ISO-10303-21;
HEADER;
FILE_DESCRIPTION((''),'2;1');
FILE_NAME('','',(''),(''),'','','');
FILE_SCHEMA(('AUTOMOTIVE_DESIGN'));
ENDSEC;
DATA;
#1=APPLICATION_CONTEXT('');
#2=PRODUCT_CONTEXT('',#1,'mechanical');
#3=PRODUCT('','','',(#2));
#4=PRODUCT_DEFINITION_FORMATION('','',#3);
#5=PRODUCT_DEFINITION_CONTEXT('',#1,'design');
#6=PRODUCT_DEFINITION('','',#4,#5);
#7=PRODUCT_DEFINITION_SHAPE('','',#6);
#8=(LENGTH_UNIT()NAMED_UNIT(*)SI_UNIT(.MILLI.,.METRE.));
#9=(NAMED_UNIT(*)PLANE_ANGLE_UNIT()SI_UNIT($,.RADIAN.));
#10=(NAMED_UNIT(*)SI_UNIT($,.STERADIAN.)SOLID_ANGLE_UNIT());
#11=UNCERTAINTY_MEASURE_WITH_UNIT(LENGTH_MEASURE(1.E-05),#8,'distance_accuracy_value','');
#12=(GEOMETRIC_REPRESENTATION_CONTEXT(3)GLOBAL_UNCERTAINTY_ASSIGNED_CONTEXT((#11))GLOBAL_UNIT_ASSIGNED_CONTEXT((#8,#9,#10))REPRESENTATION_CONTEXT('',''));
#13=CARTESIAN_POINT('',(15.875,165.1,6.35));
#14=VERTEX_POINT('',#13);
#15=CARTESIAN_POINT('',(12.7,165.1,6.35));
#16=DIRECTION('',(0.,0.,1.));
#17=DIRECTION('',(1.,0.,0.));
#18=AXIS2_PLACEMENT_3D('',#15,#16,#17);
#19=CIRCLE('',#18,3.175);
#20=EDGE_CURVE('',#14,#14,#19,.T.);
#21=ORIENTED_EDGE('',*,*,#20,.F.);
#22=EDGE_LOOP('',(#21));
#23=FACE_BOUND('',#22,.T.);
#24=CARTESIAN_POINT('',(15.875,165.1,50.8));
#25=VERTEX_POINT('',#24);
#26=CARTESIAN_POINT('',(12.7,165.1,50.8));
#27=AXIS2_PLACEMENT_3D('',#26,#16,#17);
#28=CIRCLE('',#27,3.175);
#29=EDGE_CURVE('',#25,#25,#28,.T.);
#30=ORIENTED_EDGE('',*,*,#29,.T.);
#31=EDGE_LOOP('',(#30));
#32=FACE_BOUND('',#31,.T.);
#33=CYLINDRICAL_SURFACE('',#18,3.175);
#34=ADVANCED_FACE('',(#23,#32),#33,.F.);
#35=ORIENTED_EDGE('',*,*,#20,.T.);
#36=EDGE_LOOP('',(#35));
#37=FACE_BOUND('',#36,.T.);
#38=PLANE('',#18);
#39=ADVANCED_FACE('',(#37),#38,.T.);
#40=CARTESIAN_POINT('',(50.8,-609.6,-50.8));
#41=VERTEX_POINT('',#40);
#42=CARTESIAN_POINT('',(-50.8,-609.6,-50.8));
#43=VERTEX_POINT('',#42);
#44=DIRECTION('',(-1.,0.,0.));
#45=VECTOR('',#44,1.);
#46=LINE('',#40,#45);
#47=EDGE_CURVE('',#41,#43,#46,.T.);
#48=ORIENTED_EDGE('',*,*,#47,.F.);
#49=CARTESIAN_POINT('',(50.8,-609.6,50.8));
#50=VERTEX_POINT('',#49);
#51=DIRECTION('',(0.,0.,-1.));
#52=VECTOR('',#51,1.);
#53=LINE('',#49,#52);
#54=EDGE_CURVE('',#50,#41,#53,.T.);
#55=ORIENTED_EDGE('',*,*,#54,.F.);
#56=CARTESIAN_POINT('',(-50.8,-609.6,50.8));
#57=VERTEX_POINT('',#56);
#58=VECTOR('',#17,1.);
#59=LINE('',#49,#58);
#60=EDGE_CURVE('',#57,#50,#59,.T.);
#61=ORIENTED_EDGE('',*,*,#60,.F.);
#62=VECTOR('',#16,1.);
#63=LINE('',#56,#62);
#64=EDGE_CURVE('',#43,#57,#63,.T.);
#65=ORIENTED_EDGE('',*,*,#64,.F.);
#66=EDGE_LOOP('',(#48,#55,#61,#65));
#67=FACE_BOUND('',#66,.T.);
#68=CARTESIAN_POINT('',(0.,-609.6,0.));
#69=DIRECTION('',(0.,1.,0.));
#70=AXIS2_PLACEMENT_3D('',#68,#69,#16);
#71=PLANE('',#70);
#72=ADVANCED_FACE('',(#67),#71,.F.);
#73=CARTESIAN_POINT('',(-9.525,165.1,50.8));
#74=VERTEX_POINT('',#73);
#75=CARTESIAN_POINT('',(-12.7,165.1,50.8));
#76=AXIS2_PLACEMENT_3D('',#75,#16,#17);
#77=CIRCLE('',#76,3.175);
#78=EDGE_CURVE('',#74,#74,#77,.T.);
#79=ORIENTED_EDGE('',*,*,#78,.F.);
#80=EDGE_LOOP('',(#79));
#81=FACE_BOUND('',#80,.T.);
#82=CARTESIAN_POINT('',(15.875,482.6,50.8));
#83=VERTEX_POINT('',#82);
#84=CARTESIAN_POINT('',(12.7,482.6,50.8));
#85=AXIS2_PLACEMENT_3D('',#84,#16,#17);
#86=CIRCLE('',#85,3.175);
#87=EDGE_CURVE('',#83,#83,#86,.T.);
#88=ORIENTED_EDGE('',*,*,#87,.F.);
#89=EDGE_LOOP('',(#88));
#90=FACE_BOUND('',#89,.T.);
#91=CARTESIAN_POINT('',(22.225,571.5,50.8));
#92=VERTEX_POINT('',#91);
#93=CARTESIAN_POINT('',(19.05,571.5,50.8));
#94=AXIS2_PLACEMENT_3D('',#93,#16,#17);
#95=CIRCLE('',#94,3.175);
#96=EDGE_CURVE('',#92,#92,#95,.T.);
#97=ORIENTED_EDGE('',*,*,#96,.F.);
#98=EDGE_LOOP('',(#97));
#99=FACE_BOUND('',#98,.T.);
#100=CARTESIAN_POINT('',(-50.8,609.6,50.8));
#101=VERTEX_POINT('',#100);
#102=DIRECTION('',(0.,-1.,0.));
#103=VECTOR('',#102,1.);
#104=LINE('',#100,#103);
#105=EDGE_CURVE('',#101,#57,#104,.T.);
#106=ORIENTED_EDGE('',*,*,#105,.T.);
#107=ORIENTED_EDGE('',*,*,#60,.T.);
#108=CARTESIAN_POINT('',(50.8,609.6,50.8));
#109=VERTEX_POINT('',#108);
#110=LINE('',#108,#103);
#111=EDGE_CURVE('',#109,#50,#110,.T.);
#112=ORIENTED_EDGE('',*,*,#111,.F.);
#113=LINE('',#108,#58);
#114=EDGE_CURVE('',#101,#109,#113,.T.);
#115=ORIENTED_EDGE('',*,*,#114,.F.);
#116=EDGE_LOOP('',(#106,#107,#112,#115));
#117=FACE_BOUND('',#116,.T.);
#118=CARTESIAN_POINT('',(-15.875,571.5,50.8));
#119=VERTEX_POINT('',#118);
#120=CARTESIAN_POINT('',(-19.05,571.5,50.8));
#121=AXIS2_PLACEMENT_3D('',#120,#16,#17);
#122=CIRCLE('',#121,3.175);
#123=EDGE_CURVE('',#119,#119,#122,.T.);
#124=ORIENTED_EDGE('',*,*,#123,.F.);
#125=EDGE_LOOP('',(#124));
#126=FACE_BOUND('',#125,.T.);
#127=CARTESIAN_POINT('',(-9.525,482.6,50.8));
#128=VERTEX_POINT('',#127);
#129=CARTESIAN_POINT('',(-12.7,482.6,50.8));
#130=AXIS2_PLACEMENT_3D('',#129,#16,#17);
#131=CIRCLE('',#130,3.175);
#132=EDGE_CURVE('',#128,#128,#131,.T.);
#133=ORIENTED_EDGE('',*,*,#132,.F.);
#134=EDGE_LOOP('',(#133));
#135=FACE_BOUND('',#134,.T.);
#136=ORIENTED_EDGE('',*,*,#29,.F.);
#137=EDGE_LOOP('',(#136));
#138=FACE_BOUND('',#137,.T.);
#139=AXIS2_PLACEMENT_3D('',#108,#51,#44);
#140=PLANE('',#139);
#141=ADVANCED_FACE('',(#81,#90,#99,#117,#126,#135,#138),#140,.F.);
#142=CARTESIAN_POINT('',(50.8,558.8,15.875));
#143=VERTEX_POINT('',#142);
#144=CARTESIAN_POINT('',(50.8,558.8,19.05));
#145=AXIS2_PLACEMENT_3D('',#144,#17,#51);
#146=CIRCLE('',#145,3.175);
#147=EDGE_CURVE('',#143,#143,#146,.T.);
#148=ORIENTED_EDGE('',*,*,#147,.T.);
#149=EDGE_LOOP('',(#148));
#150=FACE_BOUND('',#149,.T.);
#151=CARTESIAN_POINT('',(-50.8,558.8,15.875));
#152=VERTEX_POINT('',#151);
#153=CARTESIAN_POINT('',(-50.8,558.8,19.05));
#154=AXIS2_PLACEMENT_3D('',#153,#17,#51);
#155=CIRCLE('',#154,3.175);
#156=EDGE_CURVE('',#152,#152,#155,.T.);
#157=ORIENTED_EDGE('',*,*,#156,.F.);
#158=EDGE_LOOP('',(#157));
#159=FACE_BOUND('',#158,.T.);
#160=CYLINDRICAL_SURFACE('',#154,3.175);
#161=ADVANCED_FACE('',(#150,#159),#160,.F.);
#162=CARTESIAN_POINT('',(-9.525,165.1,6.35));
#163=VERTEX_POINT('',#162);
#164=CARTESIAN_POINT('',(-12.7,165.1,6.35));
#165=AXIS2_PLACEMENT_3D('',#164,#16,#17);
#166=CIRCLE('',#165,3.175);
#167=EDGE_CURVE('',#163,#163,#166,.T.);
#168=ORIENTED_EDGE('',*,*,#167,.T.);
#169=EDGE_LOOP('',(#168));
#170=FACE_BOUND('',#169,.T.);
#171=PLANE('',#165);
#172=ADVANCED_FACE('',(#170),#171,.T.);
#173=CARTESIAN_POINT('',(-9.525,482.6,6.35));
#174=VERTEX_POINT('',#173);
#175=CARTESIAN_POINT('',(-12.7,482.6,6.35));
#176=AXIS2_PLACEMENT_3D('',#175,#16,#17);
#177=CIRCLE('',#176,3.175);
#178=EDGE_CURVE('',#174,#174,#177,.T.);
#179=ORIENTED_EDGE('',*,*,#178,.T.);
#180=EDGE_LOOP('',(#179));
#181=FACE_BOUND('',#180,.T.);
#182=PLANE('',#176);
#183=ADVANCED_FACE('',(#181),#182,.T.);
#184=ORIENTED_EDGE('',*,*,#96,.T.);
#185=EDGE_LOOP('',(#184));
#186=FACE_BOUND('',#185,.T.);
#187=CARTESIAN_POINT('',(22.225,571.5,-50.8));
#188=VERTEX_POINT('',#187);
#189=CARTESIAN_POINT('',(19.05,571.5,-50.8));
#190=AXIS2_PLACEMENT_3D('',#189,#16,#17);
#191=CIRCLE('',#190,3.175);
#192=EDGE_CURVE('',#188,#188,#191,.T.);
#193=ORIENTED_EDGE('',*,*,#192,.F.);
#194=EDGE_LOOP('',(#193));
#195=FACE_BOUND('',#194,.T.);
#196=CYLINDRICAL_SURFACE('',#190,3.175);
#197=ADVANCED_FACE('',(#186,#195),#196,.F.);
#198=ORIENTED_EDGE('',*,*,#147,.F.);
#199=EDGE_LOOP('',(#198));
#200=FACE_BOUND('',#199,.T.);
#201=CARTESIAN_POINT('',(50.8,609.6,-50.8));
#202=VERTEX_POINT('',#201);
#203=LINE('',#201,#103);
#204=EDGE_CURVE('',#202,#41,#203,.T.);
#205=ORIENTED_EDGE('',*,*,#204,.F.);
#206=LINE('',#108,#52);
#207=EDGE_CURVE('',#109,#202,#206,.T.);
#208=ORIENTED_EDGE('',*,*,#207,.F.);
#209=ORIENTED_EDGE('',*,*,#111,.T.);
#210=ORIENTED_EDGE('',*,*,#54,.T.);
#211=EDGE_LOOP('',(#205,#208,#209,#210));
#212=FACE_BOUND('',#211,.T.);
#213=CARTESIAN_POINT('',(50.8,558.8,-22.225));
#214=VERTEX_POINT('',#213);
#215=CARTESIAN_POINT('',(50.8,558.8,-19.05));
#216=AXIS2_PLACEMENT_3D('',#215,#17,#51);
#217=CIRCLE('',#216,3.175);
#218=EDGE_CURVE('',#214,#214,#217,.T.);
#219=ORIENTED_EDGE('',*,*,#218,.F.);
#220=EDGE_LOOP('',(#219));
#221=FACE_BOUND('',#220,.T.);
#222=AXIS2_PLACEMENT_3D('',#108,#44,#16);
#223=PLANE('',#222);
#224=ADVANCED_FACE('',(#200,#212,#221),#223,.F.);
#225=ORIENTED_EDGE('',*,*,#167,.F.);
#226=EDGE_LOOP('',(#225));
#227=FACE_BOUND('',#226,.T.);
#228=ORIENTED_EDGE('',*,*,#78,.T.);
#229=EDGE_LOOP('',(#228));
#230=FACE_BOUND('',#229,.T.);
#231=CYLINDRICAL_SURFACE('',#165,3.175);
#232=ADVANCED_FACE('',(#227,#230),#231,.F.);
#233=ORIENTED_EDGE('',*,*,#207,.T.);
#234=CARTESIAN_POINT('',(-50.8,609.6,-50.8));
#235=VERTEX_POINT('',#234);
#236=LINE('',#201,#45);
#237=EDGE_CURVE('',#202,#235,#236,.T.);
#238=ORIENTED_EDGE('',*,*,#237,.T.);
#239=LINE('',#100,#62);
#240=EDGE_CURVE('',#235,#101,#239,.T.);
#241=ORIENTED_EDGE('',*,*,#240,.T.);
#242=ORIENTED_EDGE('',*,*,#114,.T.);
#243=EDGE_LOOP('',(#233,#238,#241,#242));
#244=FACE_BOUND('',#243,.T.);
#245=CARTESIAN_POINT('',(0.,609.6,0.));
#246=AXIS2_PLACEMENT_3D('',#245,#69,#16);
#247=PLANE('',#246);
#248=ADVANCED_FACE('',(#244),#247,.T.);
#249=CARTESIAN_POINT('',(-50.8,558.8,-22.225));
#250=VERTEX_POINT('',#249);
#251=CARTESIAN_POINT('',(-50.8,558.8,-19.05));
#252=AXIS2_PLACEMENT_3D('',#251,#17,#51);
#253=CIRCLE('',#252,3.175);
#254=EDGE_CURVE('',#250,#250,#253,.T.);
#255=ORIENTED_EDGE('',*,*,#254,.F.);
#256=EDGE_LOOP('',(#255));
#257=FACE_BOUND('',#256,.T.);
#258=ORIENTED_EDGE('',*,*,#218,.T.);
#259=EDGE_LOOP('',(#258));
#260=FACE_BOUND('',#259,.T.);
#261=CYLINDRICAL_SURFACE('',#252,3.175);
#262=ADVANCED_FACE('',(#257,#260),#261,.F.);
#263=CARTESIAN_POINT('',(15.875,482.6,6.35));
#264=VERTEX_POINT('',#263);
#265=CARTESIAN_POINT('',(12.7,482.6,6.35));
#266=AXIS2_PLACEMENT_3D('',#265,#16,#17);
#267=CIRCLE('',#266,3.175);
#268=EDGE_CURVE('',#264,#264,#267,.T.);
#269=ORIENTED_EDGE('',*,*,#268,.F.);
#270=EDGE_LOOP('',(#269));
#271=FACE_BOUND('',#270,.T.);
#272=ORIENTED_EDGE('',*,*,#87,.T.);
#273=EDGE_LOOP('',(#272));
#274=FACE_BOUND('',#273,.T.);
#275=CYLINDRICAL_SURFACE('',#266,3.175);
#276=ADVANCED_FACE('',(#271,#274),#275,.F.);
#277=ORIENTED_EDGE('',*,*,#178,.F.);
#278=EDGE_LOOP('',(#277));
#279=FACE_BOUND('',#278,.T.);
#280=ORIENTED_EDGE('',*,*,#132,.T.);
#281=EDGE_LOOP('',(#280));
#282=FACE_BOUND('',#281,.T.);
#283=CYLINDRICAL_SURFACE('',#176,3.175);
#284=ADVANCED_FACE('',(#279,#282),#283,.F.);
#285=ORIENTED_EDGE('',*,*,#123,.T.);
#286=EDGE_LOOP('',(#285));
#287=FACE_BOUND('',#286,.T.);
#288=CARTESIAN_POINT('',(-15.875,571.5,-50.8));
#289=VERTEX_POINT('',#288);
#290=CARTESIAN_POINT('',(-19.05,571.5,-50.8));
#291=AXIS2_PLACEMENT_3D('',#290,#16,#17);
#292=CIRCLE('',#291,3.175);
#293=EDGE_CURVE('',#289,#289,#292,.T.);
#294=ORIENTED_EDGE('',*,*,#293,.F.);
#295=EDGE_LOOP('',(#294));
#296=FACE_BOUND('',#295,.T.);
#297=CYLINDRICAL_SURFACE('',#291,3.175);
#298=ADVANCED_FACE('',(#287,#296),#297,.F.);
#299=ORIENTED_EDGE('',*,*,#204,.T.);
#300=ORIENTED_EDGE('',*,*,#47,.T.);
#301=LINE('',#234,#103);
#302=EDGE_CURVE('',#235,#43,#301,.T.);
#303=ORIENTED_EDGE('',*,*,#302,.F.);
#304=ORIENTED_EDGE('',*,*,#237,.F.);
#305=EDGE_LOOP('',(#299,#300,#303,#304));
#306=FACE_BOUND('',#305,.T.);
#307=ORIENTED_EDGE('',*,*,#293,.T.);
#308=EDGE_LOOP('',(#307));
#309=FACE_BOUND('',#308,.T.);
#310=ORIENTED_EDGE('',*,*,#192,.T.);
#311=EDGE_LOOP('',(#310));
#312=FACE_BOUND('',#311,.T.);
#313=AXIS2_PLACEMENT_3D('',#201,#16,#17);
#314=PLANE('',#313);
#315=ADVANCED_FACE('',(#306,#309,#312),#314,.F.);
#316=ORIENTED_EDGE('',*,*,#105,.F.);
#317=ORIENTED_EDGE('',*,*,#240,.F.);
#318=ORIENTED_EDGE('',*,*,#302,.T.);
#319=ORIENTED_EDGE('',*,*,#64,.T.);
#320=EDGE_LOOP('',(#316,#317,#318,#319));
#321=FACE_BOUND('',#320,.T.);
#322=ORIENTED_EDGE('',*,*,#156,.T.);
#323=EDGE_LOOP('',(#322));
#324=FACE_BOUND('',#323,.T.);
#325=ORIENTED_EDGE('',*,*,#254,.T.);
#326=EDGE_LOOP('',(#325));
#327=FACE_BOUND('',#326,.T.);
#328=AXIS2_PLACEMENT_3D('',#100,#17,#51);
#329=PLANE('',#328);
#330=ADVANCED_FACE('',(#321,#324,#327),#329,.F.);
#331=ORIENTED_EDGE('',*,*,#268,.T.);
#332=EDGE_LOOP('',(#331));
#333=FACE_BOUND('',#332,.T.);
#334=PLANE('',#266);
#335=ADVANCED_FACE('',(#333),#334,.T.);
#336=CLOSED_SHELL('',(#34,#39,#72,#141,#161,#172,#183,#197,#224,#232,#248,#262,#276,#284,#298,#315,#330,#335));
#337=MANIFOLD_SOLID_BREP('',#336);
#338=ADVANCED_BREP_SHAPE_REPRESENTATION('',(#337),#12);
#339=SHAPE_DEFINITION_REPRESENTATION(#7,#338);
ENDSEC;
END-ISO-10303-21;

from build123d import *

# Parameters (mm, degrees)
SKETCH1_W           = 101.6
SKETCH1_H           = 101.6
BOSS_EXTRUDE1_DEPTH = 609.6
SKETCH2_R           = 3.175
CUT_EXTRUDE1_DEPTH  = 621.093025279
SKETCH3_R           = 3.175
CUT_EXTRUDE2_DEPTH  = 621.093025279
SKETCH4_R           = 3.175
CUT_EXTRUDE3_DEPTH  = 44.45


with BuildPart() as part:
    # Sketch1 → Boss-Extrude1 (new, symmetric)
    with BuildSketch(Plane(origin=(0, 0, 0), x_dir=(1, 0, 0), z_dir=(0, 1, 0))):
        Rectangle(SKETCH1_W, SKETCH1_H)
    extrude(amount=BOSS_EXTRUDE1_DEPTH, both=True)

    # Sketch2 → Cut-Extrude1 (cut, through all)
    with BuildSketch(Plane(origin=(50.8, 0, 0), x_dir=(0, 0, -1), z_dir=(1, 0, 0))):
        with Locations((-19.05, 558.8)):
            Circle(SKETCH2_R)
        with Locations((19.05, 558.8)):
            Circle(SKETCH2_R)
    extrude(amount=-CUT_EXTRUDE1_DEPTH, mode=Mode.SUBTRACT)

    # Sketch3 → Cut-Extrude2 (cut, through all)
    with BuildSketch(Plane.XY.offset(50.8)):
        with Locations((-19.05, 571.5)):
            Circle(SKETCH3_R)
        with Locations((19.05, 571.5)):
            Circle(SKETCH3_R)
    extrude(amount=-CUT_EXTRUDE2_DEPTH, mode=Mode.SUBTRACT)

    # Sketch4 → Cut-Extrude3 (cut)
    with BuildSketch(Plane.XY.offset(50.8)):
        with Locations((-12.7, 482.6)):
            Circle(SKETCH4_R)
        with Locations((12.7, 482.6)):
            Circle(SKETCH4_R)
        with Locations((-12.7, 165.1)):
            Circle(SKETCH4_R)
        with Locations((12.7, 165.1)):
            Circle(SKETCH4_R)
    extrude(amount=-CUT_EXTRUDE3_DEPTH, mode=Mode.SUBTRACT)


solid = part.part
